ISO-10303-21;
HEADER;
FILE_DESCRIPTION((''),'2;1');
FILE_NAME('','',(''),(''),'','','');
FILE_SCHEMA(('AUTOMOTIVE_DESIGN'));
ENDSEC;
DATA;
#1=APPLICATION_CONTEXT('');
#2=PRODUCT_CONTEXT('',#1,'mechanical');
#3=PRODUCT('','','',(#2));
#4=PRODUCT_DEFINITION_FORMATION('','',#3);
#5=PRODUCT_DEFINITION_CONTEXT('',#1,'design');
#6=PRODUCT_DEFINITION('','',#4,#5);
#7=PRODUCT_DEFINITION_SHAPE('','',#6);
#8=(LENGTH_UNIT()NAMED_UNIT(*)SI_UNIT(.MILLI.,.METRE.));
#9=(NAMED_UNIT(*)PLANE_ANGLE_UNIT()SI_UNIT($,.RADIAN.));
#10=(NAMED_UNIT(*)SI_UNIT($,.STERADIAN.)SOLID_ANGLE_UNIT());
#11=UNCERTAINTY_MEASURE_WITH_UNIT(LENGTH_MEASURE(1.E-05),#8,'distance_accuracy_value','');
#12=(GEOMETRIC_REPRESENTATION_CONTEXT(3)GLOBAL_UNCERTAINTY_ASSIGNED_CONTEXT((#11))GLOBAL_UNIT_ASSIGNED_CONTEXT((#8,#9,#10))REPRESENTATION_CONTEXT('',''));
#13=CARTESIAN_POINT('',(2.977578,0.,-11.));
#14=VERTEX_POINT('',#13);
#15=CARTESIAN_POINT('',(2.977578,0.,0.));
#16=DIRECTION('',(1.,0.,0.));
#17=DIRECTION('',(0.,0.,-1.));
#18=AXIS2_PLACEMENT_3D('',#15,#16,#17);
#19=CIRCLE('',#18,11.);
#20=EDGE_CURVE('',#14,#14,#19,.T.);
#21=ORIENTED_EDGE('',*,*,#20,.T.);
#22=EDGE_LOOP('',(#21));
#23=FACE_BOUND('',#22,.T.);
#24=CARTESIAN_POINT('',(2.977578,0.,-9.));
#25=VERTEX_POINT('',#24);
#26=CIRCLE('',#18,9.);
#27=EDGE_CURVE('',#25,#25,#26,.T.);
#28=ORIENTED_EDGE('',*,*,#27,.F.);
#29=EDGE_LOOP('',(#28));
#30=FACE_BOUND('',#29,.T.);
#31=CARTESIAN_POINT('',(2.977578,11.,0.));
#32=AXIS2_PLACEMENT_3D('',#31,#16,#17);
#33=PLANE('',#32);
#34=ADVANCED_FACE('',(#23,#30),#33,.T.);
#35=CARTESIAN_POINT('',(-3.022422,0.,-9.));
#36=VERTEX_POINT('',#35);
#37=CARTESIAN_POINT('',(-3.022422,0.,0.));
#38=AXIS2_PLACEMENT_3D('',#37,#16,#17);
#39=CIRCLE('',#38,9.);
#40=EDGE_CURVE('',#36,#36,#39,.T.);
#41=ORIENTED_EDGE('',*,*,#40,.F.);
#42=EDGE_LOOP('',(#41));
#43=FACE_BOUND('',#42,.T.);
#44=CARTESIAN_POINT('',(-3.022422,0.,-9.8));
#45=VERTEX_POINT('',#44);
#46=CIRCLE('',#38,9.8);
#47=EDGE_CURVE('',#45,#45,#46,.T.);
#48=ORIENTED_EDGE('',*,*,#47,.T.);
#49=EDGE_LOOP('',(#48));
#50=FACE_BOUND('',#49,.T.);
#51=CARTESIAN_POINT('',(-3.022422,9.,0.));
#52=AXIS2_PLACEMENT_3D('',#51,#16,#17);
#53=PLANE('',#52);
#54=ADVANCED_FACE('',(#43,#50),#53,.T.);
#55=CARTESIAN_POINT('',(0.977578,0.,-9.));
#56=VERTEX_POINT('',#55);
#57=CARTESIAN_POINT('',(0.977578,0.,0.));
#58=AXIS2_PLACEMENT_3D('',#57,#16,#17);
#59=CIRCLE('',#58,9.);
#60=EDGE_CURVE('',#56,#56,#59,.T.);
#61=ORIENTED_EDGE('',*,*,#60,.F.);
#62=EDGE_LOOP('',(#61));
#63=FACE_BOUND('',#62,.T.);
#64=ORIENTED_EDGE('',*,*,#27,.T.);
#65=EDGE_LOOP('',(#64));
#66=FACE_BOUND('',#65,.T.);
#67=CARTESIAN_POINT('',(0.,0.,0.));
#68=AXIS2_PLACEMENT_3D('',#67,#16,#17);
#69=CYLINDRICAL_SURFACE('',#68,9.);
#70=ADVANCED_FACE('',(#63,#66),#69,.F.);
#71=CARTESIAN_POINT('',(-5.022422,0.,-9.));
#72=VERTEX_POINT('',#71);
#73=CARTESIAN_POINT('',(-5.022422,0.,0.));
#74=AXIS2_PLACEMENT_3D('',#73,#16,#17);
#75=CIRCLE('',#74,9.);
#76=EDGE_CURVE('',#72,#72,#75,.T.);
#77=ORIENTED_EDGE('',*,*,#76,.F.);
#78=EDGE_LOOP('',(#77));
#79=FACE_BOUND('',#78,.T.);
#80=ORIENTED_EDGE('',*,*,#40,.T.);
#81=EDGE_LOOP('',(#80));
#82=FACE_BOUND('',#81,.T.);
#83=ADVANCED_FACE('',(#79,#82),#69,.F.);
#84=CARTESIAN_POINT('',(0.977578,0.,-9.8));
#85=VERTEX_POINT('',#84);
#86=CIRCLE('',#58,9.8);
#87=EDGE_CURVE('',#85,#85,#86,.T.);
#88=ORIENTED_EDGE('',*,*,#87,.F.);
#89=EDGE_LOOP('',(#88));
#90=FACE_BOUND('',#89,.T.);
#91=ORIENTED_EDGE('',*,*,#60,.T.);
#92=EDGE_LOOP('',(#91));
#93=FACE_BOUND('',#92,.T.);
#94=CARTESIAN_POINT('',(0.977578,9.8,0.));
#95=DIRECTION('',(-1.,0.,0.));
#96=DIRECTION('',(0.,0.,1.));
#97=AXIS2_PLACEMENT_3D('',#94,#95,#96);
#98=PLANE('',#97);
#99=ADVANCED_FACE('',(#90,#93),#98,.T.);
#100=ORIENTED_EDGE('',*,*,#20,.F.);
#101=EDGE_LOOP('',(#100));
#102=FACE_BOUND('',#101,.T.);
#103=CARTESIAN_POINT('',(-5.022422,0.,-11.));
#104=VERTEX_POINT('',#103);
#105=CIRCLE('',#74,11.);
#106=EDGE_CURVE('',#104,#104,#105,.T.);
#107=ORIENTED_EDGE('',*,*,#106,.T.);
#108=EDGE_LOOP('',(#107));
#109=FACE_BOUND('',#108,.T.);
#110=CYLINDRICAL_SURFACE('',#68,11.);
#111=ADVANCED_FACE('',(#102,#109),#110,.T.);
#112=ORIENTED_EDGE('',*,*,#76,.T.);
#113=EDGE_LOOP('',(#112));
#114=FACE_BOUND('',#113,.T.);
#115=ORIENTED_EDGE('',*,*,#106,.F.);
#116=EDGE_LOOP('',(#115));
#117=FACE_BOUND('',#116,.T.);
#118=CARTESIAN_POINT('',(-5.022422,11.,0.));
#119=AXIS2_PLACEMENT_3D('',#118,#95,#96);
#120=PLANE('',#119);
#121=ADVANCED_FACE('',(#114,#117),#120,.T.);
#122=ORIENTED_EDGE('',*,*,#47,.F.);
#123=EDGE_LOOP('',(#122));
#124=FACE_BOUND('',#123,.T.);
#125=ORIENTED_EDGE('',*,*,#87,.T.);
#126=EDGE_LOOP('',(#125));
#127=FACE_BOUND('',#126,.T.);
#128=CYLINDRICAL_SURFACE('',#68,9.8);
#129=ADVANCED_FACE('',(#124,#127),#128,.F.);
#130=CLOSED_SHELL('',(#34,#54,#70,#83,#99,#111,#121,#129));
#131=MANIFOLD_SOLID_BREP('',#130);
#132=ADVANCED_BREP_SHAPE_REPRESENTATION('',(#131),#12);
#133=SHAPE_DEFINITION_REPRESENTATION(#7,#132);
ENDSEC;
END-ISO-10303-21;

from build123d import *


with BuildPart() as part:
    # Sketch1 → Revolve1 (revolve)
    with BuildSketch(Plane.XY, mode=Mode.PRIVATE) as revolve1_sk:
        Polygon((-5.022421525, 11), (2.977578475, 11), (2.977578475, 9), (0.977578475, 9), (0.977578475, 9.8), (-3.022421525, 9.8), (-3.022421525, 9), (-5.022421525, 9), align=None)
    revolve(revolve1_sk.sketch.rotate(Axis((0, 0, 0), (-1, 0, 0)), 90), axis=Axis((0, 0, 0), (-1, 0, 0)))


solid = part.part
